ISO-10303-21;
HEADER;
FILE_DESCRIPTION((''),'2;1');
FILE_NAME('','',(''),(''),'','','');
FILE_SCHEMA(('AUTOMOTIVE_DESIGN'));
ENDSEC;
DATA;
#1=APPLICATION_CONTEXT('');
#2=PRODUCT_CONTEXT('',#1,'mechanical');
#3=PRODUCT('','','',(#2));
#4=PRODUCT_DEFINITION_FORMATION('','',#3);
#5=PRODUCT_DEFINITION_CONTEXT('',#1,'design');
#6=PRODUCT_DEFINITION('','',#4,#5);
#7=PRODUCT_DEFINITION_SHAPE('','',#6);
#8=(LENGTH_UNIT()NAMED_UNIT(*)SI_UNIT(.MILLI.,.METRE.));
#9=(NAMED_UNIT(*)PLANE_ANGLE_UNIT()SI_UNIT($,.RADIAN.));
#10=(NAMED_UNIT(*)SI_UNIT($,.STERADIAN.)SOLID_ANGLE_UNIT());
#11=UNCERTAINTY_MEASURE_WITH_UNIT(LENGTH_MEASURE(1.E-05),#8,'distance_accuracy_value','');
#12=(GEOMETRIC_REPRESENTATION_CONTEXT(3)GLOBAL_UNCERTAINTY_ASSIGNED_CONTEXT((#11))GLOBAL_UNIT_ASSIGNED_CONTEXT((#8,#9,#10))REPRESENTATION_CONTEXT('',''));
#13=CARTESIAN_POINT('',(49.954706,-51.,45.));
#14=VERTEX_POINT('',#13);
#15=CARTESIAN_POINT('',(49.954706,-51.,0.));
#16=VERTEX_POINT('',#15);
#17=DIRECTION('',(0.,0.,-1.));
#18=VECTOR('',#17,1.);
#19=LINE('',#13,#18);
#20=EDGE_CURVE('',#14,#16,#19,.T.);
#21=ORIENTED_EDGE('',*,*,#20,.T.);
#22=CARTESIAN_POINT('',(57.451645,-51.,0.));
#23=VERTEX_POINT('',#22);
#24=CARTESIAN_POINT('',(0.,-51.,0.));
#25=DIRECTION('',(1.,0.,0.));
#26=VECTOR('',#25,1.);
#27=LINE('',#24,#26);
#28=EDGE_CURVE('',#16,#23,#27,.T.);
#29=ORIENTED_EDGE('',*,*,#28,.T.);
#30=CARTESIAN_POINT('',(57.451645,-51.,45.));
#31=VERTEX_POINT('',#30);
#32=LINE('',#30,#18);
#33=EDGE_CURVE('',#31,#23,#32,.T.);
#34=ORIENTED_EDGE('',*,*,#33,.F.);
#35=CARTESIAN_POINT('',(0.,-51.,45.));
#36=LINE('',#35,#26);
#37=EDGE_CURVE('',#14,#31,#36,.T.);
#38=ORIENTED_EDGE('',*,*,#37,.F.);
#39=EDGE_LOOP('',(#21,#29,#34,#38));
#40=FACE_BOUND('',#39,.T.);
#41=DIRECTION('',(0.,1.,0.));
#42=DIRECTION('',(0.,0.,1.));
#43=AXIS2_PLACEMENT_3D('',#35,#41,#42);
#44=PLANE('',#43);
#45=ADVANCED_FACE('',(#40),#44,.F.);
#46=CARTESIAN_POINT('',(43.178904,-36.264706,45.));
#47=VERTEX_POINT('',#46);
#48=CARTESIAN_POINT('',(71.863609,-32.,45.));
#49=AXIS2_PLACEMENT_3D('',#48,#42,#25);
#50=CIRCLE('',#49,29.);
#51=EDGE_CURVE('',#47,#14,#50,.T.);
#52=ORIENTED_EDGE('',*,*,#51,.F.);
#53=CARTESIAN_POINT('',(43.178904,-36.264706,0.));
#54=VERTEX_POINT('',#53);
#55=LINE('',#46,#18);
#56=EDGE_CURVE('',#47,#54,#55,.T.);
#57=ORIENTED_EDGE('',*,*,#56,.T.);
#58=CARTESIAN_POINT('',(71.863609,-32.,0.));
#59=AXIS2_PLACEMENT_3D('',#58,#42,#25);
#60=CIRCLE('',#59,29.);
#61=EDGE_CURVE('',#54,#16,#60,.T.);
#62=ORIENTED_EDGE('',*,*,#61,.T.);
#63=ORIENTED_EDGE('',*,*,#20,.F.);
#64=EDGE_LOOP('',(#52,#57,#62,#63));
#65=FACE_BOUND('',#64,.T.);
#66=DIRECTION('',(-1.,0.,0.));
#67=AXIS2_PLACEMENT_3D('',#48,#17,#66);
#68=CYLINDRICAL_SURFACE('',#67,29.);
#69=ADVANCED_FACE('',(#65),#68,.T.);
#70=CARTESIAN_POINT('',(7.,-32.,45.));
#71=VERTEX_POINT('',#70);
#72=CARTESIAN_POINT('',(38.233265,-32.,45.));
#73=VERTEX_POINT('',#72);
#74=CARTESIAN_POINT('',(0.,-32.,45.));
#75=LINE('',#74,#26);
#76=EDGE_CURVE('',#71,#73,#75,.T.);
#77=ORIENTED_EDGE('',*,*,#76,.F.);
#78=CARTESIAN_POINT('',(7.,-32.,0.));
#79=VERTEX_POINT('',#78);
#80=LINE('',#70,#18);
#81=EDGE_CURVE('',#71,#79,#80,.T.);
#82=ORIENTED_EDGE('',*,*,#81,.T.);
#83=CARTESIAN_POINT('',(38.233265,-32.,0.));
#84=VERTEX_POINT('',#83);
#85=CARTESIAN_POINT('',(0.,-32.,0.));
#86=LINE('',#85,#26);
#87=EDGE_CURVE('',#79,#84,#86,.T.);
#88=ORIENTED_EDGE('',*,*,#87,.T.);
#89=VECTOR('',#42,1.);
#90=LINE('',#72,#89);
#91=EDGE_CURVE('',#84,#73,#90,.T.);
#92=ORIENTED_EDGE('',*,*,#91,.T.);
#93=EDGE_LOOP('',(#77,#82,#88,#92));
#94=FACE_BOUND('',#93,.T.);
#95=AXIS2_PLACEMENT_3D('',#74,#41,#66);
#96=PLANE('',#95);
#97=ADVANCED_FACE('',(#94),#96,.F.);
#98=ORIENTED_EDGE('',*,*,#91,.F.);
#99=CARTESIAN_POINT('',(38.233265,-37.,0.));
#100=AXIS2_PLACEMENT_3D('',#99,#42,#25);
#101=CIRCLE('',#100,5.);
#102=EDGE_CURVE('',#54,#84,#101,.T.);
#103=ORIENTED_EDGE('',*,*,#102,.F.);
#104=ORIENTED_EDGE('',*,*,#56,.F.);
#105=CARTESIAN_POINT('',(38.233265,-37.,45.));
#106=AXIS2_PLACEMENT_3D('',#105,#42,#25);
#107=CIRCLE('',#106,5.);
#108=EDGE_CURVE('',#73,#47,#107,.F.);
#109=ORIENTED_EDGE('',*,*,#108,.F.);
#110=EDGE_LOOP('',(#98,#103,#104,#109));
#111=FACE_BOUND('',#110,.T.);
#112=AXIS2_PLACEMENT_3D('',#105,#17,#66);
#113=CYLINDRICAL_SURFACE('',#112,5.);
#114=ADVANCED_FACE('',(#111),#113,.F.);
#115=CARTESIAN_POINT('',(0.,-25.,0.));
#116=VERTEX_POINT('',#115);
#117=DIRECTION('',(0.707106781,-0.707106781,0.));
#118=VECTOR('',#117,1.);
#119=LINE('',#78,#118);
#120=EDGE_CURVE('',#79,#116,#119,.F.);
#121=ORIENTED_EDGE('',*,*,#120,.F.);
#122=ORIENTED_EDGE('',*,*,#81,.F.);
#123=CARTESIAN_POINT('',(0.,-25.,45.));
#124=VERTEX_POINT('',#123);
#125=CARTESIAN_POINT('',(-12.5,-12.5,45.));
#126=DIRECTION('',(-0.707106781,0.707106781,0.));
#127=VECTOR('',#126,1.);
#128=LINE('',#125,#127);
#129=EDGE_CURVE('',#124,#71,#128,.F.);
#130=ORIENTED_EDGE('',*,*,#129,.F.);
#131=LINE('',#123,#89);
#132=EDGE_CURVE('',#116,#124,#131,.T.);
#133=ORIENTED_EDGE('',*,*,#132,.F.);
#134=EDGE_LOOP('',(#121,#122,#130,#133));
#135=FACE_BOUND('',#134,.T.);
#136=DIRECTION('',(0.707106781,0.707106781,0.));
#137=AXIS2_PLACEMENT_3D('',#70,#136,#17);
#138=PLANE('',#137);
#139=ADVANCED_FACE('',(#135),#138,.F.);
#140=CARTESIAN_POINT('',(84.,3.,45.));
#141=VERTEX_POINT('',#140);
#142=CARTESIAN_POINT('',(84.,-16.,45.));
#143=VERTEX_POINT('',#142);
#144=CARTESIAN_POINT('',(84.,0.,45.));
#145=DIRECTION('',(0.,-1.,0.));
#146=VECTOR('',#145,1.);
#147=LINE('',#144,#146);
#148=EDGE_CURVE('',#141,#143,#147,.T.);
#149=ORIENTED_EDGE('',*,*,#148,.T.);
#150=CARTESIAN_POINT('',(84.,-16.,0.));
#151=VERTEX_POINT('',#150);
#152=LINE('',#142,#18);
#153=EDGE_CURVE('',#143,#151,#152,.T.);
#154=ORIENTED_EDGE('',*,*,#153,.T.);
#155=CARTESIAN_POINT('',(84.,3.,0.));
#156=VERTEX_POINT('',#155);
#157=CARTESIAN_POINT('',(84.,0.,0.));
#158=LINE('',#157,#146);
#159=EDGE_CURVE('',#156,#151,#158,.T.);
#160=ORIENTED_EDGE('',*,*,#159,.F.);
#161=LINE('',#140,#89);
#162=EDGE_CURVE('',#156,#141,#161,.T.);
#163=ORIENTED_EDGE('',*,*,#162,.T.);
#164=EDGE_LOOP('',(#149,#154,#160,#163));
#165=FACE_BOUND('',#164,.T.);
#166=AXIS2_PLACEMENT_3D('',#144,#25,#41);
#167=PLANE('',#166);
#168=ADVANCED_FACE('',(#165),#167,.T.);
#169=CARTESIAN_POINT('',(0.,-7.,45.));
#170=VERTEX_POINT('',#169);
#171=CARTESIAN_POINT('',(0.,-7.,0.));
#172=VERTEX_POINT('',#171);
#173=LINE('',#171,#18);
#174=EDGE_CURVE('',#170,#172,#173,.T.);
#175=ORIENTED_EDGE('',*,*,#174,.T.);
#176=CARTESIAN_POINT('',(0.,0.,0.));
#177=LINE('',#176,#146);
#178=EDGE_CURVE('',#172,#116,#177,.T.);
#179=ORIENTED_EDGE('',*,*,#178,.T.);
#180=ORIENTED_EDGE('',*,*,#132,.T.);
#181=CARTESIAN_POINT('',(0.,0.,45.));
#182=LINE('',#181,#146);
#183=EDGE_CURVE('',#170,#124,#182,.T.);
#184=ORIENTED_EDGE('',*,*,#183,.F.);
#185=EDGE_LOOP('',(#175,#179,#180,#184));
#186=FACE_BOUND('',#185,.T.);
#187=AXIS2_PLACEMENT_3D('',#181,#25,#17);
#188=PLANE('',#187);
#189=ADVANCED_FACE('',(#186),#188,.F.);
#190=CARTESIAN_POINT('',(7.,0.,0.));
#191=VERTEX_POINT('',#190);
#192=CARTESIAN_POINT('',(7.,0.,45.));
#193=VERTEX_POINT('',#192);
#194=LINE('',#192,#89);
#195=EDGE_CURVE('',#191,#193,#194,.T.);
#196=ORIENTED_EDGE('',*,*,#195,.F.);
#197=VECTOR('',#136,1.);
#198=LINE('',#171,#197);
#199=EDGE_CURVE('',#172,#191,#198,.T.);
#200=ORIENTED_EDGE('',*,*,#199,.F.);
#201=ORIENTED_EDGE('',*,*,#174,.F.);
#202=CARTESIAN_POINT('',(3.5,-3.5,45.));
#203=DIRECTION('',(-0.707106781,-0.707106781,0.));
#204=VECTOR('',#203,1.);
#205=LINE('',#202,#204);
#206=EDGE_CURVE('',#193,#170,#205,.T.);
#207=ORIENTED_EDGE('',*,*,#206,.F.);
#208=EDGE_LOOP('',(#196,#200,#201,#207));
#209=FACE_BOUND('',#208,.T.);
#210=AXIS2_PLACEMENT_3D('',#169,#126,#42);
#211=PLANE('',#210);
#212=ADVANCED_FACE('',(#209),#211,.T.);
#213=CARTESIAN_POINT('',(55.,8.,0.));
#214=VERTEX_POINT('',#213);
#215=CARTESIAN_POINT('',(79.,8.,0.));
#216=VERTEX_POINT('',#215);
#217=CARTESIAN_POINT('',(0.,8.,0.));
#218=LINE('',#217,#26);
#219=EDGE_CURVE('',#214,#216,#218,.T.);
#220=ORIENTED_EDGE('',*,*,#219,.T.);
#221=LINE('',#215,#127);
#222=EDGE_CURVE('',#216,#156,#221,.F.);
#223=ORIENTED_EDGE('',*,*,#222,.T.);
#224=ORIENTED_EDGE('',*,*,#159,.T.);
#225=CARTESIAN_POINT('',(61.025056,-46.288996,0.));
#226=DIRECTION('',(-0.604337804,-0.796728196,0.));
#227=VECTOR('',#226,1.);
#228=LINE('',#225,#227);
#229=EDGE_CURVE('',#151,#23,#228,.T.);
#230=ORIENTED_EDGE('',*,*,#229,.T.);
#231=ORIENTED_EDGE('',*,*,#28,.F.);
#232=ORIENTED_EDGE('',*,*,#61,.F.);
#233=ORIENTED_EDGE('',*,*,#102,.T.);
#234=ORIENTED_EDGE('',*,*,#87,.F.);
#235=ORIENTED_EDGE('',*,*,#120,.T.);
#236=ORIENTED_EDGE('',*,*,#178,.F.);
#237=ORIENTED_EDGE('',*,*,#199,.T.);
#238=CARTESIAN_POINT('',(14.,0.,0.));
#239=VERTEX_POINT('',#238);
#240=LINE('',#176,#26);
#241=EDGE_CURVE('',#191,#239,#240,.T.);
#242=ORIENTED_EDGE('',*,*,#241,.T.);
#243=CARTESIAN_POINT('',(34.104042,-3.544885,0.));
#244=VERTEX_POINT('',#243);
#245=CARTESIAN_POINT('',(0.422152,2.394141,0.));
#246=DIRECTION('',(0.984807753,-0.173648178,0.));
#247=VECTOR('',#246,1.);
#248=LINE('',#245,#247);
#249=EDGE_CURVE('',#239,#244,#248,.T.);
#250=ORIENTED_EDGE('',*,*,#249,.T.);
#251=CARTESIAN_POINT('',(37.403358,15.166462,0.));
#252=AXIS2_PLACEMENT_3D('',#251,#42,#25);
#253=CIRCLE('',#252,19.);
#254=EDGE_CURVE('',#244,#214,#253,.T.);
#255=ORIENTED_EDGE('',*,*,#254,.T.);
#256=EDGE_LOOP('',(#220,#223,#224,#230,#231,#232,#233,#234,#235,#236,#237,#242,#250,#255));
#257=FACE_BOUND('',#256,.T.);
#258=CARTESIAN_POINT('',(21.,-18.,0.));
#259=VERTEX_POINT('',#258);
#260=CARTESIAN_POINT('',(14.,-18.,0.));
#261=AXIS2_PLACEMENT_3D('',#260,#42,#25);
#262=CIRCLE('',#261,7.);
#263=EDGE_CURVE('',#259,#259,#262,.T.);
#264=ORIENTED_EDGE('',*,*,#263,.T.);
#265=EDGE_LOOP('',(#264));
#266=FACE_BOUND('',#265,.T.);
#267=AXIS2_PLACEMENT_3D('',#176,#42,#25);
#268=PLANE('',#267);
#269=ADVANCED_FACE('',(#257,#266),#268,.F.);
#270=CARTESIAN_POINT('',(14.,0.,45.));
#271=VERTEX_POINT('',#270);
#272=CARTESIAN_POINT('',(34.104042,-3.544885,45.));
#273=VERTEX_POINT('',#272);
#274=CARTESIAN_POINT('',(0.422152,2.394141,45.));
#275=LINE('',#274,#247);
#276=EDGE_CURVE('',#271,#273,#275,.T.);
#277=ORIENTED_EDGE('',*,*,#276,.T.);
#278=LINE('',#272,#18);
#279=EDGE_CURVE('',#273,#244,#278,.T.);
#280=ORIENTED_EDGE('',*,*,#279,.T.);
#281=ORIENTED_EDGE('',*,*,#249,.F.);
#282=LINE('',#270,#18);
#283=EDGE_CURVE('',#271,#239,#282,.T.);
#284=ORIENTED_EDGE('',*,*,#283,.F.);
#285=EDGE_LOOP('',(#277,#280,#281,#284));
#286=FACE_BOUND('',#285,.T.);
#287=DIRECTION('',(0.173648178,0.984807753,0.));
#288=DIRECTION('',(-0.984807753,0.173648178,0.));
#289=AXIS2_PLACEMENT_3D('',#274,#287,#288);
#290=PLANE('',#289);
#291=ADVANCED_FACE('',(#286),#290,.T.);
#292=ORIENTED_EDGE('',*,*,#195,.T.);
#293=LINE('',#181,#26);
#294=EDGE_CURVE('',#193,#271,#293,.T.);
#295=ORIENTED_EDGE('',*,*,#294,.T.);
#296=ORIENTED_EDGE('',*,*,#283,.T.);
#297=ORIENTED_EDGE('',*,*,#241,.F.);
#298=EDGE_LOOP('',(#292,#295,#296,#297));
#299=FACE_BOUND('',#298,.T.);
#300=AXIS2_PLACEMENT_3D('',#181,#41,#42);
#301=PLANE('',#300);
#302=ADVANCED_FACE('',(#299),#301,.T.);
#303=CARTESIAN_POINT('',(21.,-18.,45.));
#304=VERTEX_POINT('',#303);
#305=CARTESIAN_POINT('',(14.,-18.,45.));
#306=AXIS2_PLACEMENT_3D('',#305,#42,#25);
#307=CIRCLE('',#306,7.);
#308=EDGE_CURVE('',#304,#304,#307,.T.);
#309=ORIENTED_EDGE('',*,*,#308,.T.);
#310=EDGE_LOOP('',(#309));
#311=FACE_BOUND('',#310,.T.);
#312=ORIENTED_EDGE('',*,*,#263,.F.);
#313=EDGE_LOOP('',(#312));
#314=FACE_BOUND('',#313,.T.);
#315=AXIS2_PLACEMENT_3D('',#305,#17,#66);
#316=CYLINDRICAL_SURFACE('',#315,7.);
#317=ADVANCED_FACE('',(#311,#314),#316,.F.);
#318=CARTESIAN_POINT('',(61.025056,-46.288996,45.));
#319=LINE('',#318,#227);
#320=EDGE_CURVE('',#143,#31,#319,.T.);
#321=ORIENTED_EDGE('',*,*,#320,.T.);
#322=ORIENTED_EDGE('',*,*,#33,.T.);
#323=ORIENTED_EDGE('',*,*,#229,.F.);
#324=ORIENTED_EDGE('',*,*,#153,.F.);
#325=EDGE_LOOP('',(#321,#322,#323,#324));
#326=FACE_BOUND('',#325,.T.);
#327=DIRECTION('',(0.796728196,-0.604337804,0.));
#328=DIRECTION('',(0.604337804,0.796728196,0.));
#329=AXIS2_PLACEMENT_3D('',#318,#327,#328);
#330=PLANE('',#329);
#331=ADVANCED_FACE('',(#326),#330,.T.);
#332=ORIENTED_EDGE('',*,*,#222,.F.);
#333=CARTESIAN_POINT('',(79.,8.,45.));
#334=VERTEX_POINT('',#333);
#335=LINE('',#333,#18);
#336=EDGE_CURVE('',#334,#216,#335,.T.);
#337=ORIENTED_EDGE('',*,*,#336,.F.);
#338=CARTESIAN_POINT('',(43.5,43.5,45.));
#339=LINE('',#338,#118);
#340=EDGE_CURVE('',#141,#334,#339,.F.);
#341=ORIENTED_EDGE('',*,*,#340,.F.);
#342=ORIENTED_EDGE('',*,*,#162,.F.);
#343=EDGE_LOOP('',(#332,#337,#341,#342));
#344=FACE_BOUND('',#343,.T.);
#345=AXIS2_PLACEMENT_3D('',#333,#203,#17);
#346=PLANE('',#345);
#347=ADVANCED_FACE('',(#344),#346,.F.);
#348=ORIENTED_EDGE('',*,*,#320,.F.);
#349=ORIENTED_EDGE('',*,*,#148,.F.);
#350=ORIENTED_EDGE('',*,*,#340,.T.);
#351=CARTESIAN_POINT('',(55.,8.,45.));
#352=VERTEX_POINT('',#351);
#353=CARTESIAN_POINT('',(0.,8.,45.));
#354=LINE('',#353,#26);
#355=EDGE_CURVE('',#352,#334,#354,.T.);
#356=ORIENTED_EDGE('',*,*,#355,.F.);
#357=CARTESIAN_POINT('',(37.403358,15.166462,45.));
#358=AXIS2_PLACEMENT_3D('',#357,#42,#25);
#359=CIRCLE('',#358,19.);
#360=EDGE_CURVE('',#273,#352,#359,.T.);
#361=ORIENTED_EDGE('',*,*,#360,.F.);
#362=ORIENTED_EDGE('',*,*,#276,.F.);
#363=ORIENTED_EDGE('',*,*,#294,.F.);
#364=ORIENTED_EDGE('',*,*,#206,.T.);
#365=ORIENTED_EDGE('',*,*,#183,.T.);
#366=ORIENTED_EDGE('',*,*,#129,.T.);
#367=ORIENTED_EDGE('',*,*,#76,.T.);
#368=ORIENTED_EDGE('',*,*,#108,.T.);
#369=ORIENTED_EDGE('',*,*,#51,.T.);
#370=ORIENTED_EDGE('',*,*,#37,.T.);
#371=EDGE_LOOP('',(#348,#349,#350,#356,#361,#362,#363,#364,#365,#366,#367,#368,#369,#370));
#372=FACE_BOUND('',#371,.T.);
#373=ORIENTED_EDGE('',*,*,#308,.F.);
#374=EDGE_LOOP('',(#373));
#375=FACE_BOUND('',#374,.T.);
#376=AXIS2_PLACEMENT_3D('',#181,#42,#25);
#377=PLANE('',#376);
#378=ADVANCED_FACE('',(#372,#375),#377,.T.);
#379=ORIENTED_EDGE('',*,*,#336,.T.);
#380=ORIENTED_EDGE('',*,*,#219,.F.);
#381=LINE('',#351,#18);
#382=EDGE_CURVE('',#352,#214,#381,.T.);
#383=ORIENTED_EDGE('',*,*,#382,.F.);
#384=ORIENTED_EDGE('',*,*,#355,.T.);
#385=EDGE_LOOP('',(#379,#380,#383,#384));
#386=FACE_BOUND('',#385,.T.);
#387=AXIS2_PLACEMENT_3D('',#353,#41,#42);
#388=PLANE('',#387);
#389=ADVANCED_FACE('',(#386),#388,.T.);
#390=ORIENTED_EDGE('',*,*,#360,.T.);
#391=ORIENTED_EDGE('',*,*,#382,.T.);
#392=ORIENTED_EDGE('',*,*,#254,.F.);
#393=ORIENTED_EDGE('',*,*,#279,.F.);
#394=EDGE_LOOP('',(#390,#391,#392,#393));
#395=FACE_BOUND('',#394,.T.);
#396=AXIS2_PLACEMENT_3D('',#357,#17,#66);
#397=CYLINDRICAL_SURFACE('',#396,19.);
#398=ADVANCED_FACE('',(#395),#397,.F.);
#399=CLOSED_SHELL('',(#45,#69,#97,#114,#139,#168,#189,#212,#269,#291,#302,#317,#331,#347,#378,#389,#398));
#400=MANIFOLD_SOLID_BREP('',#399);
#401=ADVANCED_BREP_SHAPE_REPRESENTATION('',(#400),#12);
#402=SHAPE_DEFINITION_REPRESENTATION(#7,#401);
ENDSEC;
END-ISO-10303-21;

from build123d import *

# Parameters (mm, degrees)
SKETCH1_R           = 7
BOSS_EXTRUDE1_DEPTH = 45
CHAMFER1_SIZE       = 7
CHAMFER2_SIZE       = 7
CHAMFER3_SIZE       = 5
FILLET1_R           = 5


with BuildPart() as part:
    # Sketch1 → Boss-Extrude1 (new body)
    with BuildSketch(Plane.XY):
        with BuildLine():
            Line((14, 0), (0, 0))
            Line((0, 0), (0, -32))
            Line((0, -32), (42.863608631, -32))
            ThreePointArc((42.863608631, -32), (44.694157304, -42.140064899), (49.954706191, -51))
            Line((49.954706191, -51), (57.451644827, -51))
            Line((57.451644827, -51), (84, -16))
            Line((84, -16), (84, 8))
            Line((84, 8), (55, 8))
            ThreePointArc((55, 8), (46.591637328, -1.464097542), (34.104042352, -3.544885088))
            Line((34.104042352, -3.544885088), (14, 0))
        make_face()
        with Locations((14, -18)):
            Circle(SKETCH1_R, mode=Mode.SUBTRACT)
    extrude(amount=BOSS_EXTRUDE1_DEPTH)

    # Chamfer1
    chamfer1_edges = [part.edges().sort_by_distance(p)[0] for p in [
        (0, 0, 22.5),
    ]]
    chamfer(chamfer1_edges, length=CHAMFER1_SIZE)

    # Chamfer2
    chamfer2_edges = [part.edges().sort_by_distance(p)[0] for p in [
        (0, -32, 22.5),
    ]]
    chamfer(chamfer2_edges, length=CHAMFER2_SIZE)

    # Chamfer3
    chamfer3_edges = [part.edges().sort_by_distance(p)[0] for p in [
        (84, 8, 22.5),
    ]]
    chamfer(chamfer3_edges, length=CHAMFER3_SIZE)

    # Fillet1
    fillet1_edges = [part.edges().sort_by_distance(p)[0] for p in [
        (42.863608631, -32, 22.5),
    ]]
    fillet(fillet1_edges, radius=FILLET1_R)


solid = part.part
